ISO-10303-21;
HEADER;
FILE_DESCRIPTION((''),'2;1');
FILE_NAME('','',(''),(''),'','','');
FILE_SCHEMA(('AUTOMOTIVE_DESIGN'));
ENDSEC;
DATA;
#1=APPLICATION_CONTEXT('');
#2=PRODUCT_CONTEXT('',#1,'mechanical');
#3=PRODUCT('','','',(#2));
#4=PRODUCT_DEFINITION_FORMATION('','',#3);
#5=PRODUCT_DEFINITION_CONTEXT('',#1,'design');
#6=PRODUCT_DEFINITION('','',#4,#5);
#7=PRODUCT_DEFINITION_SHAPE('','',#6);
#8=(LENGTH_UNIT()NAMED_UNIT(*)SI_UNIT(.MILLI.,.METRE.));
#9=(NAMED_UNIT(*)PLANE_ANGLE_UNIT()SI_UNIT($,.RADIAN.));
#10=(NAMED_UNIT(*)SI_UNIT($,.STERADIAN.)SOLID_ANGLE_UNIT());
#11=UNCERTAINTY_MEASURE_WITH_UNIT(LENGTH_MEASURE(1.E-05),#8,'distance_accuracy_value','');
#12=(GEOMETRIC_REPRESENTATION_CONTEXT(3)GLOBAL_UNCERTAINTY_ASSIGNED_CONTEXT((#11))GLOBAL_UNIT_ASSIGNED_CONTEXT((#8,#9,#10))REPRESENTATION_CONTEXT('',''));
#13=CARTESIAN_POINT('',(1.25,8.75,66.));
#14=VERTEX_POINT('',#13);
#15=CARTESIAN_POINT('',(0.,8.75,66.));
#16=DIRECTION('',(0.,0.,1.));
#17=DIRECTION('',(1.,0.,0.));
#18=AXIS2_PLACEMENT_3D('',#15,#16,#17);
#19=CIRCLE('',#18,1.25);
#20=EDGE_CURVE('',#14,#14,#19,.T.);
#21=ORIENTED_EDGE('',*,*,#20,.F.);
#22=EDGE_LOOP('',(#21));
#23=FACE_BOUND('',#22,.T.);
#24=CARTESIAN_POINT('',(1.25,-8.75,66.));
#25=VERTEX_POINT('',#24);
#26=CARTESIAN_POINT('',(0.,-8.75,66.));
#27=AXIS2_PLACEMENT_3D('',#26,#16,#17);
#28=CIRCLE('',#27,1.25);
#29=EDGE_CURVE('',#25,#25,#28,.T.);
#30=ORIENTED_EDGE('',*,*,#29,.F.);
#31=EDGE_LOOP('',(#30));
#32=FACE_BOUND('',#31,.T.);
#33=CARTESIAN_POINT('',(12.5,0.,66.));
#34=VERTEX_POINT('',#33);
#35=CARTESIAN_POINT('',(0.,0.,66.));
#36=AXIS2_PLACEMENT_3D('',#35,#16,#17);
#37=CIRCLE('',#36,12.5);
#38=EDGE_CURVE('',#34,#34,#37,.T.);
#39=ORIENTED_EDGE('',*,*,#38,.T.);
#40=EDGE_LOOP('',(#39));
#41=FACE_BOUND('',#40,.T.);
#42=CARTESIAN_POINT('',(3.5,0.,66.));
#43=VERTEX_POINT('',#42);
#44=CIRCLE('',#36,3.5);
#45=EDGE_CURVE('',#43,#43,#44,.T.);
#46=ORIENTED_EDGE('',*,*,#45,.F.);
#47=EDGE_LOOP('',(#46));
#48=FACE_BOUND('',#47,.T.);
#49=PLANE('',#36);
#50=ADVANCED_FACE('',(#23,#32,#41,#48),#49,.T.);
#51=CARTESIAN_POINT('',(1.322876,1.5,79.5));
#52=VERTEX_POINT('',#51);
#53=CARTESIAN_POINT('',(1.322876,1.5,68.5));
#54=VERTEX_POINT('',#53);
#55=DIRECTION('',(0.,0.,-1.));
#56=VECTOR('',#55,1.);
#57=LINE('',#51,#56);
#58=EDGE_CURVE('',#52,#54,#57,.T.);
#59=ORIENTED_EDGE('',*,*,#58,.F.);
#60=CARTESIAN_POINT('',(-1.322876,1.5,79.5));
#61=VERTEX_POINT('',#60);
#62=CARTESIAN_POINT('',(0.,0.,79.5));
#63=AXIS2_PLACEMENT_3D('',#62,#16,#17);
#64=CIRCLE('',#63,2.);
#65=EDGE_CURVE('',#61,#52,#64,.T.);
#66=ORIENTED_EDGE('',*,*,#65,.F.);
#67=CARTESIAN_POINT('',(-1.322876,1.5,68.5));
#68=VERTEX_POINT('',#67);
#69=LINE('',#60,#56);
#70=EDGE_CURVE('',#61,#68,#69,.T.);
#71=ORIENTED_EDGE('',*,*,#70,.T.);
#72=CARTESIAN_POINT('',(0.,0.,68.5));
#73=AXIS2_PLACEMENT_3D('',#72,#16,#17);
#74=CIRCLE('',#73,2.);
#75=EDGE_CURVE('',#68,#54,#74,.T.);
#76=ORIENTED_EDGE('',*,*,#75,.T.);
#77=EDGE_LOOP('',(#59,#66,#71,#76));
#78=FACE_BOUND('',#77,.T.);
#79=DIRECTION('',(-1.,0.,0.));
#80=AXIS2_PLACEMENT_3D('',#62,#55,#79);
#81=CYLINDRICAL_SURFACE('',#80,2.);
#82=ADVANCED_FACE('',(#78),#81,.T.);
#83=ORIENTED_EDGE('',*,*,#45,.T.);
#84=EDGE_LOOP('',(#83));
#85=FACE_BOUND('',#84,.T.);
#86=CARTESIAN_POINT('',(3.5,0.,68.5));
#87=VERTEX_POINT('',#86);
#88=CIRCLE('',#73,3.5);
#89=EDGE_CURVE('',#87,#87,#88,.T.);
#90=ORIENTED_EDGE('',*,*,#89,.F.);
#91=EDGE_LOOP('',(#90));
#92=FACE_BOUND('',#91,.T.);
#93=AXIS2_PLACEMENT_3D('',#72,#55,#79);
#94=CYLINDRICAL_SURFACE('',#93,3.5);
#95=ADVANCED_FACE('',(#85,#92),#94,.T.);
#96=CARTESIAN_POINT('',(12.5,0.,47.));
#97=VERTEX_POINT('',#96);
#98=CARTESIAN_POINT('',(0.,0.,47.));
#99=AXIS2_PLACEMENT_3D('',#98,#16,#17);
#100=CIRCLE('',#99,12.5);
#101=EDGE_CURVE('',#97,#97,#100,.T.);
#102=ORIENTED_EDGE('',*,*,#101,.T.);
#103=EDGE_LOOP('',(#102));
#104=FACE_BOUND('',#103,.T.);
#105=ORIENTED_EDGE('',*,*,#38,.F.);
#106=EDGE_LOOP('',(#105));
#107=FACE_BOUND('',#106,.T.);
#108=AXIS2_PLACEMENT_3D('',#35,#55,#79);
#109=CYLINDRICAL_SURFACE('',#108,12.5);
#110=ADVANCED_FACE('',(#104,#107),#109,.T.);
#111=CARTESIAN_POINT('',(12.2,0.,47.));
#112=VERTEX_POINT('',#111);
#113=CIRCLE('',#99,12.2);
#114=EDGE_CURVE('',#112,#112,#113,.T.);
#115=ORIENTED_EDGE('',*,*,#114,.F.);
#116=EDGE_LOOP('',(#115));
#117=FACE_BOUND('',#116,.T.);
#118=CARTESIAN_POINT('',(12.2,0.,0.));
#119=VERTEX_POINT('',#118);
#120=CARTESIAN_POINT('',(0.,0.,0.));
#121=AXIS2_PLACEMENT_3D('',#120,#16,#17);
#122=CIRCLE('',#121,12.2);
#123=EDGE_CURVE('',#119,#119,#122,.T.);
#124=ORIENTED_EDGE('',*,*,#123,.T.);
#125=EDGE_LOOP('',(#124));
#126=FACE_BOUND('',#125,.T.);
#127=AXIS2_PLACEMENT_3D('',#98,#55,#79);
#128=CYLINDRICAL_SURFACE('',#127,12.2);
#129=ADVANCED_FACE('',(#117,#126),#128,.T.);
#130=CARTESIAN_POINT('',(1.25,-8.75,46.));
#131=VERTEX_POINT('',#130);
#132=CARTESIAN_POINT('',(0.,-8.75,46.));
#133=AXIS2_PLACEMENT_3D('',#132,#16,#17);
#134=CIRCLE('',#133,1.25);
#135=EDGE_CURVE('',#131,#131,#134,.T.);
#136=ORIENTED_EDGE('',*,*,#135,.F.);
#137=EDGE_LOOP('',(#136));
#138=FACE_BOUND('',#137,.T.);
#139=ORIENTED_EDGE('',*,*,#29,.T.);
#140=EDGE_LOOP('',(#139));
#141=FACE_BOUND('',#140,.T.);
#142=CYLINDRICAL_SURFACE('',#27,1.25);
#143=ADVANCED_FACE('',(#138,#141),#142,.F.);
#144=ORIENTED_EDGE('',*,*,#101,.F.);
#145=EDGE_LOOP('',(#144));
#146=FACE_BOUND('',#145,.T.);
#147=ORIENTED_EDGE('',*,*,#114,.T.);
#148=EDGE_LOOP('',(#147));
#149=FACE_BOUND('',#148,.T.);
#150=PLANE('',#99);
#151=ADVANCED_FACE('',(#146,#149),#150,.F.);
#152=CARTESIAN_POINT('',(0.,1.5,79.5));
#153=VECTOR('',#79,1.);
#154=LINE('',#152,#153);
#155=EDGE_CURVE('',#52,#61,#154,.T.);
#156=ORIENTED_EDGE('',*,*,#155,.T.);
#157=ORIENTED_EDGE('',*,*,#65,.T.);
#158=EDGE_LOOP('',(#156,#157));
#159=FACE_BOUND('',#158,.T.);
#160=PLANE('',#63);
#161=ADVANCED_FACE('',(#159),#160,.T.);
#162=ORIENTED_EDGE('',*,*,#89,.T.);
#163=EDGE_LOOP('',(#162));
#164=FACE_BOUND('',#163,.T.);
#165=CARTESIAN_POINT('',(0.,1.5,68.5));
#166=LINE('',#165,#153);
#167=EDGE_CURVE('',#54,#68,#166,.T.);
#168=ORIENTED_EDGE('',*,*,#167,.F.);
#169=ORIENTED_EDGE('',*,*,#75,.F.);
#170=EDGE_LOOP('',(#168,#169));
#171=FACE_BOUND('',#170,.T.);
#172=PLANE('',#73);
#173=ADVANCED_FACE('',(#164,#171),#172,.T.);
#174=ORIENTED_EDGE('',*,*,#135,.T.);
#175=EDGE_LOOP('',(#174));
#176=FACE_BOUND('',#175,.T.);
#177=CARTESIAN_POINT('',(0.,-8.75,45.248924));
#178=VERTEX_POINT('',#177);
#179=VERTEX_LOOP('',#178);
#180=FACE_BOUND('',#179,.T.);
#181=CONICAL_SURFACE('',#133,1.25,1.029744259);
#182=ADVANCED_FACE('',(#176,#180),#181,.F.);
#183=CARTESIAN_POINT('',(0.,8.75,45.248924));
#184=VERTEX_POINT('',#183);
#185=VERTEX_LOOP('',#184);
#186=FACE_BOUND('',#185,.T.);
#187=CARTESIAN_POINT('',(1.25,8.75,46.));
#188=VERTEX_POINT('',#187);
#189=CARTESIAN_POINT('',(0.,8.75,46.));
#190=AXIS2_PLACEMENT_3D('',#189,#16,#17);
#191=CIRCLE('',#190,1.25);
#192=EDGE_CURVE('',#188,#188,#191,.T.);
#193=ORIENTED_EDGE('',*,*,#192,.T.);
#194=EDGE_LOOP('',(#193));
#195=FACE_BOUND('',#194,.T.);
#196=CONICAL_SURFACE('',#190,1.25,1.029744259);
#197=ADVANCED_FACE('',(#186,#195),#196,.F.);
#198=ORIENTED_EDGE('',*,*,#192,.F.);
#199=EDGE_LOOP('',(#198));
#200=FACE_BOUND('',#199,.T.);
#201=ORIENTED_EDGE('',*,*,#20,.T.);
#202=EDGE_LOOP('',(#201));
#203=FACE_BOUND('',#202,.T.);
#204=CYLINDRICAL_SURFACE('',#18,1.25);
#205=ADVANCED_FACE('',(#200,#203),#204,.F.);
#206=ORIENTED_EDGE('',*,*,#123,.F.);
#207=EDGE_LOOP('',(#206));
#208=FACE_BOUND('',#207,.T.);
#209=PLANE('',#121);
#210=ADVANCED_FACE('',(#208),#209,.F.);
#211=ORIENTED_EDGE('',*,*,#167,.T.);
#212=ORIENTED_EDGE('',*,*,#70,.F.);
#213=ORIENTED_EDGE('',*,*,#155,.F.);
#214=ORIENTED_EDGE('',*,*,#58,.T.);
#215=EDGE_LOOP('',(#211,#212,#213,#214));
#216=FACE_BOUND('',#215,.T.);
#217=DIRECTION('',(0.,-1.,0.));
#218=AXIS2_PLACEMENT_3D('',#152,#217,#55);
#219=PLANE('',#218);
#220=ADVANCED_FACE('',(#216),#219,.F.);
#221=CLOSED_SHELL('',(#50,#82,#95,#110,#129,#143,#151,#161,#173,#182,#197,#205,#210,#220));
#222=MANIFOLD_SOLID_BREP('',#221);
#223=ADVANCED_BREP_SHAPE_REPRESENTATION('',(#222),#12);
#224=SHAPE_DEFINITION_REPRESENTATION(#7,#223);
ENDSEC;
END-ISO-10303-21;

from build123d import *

# Parameters (mm, degrees)
SKETCH1_R                 = 12.2
BOSS_EXTRUDE1_DEPTH       = 47
BOSS_EXTRUDE2_START       = 47
SKETCH1_3_R               = 12.5
SKETCH1_3_R_2             = 12.2
BOSS_EXTRUDE2_DEPTH       = 19
SKETCH2_R                 = 3.5
SKETCH2_R_2               = 2
BOSS_EXTRUDE4_DEPTH       = 2.5
BOSS_EXTRUDE5_START       = 2.5
BOSS_EXTRUDE5_DEPTH       = 11
M3X0_5_TAPPED_HOLE1_D     = 2.5
M3X0_5_TAPPED_HOLE1_DEPTH = 20
M3X0_5_TAPPED_HOLE1_TIP   = 0.751075774


with BuildPart() as part:
    # Sketch1 → Boss-Extrude1 (new body)
    with BuildSketch(Plane.XY):
        Circle(SKETCH1_R)
    extrude(amount=BOSS_EXTRUDE1_DEPTH)

    # Sketch1<3> → Boss-Extrude2 (add)
    with BuildSketch(Plane.XY.offset(BOSS_EXTRUDE2_START)):
        Circle(SKETCH1_3_R)
        Circle(SKETCH1_3_R_2, mode=Mode.SUBTRACT)
        Circle(SKETCH1_3_R_2)
    extrude(amount=BOSS_EXTRUDE2_DEPTH)

    # Sketch2 → Boss-Extrude4 (add)
    with BuildSketch(Plane.XY.offset(66)):
        Circle(SKETCH2_R)
        Circle(SKETCH2_R_2, mode=Mode.SUBTRACT)
        with BuildLine():
            Line((1.322875656, 1.5), (-1.322875656, 1.5))
            ThreePointArc((-1.322875656, 1.5), (-0.822875656, -1.822875656), (2, 0))
            ThreePointArc((2, 0), (1.822875656, 0.822875656), (1.322875656, 1.5))
        make_face()
        with BuildLine():
            ThreePointArc((1.322875656, 1.5), (0, 2), (-1.322875656, 1.5))
            Line((-1.322875656, 1.5), (1.322875656, 1.5))
        make_face()
    extrude(amount=BOSS_EXTRUDE4_DEPTH)

    # Sketch2<4> → Boss-Extrude5 (add)
    with BuildSketch(Plane.XY.offset(66).offset(BOSS_EXTRUDE5_START)):
        with BuildLine():
            Line((1.322875656, 1.5), (-1.322875656, 1.5))
            ThreePointArc((-1.322875656, 1.5), (-0.822875656, -1.822875656), (2, 0))
            ThreePointArc((2, 0), (1.822875656, 0.822875656), (1.322875656, 1.5))
        make_face()
    extrude(amount=BOSS_EXTRUDE5_DEPTH)

    # M3x0.5 Tapped Hole1
    with Locations(Plane(origin=(0, 8.75, 66), x_dir=(1, 0, 0), z_dir=(0, 0, 1))):
        with Locations((0, 0), (0, -17.5)):
            Hole(M3X0_5_TAPPED_HOLE1_D / 2, depth=M3X0_5_TAPPED_HOLE1_DEPTH)
            with Locations((0, 0, -(M3X0_5_TAPPED_HOLE1_DEPTH + M3X0_5_TAPPED_HOLE1_TIP / 2))):  # 118° drill point
                Cone(0, M3X0_5_TAPPED_HOLE1_D / 2, M3X0_5_TAPPED_HOLE1_TIP, mode=Mode.SUBTRACT)


solid = part.part
